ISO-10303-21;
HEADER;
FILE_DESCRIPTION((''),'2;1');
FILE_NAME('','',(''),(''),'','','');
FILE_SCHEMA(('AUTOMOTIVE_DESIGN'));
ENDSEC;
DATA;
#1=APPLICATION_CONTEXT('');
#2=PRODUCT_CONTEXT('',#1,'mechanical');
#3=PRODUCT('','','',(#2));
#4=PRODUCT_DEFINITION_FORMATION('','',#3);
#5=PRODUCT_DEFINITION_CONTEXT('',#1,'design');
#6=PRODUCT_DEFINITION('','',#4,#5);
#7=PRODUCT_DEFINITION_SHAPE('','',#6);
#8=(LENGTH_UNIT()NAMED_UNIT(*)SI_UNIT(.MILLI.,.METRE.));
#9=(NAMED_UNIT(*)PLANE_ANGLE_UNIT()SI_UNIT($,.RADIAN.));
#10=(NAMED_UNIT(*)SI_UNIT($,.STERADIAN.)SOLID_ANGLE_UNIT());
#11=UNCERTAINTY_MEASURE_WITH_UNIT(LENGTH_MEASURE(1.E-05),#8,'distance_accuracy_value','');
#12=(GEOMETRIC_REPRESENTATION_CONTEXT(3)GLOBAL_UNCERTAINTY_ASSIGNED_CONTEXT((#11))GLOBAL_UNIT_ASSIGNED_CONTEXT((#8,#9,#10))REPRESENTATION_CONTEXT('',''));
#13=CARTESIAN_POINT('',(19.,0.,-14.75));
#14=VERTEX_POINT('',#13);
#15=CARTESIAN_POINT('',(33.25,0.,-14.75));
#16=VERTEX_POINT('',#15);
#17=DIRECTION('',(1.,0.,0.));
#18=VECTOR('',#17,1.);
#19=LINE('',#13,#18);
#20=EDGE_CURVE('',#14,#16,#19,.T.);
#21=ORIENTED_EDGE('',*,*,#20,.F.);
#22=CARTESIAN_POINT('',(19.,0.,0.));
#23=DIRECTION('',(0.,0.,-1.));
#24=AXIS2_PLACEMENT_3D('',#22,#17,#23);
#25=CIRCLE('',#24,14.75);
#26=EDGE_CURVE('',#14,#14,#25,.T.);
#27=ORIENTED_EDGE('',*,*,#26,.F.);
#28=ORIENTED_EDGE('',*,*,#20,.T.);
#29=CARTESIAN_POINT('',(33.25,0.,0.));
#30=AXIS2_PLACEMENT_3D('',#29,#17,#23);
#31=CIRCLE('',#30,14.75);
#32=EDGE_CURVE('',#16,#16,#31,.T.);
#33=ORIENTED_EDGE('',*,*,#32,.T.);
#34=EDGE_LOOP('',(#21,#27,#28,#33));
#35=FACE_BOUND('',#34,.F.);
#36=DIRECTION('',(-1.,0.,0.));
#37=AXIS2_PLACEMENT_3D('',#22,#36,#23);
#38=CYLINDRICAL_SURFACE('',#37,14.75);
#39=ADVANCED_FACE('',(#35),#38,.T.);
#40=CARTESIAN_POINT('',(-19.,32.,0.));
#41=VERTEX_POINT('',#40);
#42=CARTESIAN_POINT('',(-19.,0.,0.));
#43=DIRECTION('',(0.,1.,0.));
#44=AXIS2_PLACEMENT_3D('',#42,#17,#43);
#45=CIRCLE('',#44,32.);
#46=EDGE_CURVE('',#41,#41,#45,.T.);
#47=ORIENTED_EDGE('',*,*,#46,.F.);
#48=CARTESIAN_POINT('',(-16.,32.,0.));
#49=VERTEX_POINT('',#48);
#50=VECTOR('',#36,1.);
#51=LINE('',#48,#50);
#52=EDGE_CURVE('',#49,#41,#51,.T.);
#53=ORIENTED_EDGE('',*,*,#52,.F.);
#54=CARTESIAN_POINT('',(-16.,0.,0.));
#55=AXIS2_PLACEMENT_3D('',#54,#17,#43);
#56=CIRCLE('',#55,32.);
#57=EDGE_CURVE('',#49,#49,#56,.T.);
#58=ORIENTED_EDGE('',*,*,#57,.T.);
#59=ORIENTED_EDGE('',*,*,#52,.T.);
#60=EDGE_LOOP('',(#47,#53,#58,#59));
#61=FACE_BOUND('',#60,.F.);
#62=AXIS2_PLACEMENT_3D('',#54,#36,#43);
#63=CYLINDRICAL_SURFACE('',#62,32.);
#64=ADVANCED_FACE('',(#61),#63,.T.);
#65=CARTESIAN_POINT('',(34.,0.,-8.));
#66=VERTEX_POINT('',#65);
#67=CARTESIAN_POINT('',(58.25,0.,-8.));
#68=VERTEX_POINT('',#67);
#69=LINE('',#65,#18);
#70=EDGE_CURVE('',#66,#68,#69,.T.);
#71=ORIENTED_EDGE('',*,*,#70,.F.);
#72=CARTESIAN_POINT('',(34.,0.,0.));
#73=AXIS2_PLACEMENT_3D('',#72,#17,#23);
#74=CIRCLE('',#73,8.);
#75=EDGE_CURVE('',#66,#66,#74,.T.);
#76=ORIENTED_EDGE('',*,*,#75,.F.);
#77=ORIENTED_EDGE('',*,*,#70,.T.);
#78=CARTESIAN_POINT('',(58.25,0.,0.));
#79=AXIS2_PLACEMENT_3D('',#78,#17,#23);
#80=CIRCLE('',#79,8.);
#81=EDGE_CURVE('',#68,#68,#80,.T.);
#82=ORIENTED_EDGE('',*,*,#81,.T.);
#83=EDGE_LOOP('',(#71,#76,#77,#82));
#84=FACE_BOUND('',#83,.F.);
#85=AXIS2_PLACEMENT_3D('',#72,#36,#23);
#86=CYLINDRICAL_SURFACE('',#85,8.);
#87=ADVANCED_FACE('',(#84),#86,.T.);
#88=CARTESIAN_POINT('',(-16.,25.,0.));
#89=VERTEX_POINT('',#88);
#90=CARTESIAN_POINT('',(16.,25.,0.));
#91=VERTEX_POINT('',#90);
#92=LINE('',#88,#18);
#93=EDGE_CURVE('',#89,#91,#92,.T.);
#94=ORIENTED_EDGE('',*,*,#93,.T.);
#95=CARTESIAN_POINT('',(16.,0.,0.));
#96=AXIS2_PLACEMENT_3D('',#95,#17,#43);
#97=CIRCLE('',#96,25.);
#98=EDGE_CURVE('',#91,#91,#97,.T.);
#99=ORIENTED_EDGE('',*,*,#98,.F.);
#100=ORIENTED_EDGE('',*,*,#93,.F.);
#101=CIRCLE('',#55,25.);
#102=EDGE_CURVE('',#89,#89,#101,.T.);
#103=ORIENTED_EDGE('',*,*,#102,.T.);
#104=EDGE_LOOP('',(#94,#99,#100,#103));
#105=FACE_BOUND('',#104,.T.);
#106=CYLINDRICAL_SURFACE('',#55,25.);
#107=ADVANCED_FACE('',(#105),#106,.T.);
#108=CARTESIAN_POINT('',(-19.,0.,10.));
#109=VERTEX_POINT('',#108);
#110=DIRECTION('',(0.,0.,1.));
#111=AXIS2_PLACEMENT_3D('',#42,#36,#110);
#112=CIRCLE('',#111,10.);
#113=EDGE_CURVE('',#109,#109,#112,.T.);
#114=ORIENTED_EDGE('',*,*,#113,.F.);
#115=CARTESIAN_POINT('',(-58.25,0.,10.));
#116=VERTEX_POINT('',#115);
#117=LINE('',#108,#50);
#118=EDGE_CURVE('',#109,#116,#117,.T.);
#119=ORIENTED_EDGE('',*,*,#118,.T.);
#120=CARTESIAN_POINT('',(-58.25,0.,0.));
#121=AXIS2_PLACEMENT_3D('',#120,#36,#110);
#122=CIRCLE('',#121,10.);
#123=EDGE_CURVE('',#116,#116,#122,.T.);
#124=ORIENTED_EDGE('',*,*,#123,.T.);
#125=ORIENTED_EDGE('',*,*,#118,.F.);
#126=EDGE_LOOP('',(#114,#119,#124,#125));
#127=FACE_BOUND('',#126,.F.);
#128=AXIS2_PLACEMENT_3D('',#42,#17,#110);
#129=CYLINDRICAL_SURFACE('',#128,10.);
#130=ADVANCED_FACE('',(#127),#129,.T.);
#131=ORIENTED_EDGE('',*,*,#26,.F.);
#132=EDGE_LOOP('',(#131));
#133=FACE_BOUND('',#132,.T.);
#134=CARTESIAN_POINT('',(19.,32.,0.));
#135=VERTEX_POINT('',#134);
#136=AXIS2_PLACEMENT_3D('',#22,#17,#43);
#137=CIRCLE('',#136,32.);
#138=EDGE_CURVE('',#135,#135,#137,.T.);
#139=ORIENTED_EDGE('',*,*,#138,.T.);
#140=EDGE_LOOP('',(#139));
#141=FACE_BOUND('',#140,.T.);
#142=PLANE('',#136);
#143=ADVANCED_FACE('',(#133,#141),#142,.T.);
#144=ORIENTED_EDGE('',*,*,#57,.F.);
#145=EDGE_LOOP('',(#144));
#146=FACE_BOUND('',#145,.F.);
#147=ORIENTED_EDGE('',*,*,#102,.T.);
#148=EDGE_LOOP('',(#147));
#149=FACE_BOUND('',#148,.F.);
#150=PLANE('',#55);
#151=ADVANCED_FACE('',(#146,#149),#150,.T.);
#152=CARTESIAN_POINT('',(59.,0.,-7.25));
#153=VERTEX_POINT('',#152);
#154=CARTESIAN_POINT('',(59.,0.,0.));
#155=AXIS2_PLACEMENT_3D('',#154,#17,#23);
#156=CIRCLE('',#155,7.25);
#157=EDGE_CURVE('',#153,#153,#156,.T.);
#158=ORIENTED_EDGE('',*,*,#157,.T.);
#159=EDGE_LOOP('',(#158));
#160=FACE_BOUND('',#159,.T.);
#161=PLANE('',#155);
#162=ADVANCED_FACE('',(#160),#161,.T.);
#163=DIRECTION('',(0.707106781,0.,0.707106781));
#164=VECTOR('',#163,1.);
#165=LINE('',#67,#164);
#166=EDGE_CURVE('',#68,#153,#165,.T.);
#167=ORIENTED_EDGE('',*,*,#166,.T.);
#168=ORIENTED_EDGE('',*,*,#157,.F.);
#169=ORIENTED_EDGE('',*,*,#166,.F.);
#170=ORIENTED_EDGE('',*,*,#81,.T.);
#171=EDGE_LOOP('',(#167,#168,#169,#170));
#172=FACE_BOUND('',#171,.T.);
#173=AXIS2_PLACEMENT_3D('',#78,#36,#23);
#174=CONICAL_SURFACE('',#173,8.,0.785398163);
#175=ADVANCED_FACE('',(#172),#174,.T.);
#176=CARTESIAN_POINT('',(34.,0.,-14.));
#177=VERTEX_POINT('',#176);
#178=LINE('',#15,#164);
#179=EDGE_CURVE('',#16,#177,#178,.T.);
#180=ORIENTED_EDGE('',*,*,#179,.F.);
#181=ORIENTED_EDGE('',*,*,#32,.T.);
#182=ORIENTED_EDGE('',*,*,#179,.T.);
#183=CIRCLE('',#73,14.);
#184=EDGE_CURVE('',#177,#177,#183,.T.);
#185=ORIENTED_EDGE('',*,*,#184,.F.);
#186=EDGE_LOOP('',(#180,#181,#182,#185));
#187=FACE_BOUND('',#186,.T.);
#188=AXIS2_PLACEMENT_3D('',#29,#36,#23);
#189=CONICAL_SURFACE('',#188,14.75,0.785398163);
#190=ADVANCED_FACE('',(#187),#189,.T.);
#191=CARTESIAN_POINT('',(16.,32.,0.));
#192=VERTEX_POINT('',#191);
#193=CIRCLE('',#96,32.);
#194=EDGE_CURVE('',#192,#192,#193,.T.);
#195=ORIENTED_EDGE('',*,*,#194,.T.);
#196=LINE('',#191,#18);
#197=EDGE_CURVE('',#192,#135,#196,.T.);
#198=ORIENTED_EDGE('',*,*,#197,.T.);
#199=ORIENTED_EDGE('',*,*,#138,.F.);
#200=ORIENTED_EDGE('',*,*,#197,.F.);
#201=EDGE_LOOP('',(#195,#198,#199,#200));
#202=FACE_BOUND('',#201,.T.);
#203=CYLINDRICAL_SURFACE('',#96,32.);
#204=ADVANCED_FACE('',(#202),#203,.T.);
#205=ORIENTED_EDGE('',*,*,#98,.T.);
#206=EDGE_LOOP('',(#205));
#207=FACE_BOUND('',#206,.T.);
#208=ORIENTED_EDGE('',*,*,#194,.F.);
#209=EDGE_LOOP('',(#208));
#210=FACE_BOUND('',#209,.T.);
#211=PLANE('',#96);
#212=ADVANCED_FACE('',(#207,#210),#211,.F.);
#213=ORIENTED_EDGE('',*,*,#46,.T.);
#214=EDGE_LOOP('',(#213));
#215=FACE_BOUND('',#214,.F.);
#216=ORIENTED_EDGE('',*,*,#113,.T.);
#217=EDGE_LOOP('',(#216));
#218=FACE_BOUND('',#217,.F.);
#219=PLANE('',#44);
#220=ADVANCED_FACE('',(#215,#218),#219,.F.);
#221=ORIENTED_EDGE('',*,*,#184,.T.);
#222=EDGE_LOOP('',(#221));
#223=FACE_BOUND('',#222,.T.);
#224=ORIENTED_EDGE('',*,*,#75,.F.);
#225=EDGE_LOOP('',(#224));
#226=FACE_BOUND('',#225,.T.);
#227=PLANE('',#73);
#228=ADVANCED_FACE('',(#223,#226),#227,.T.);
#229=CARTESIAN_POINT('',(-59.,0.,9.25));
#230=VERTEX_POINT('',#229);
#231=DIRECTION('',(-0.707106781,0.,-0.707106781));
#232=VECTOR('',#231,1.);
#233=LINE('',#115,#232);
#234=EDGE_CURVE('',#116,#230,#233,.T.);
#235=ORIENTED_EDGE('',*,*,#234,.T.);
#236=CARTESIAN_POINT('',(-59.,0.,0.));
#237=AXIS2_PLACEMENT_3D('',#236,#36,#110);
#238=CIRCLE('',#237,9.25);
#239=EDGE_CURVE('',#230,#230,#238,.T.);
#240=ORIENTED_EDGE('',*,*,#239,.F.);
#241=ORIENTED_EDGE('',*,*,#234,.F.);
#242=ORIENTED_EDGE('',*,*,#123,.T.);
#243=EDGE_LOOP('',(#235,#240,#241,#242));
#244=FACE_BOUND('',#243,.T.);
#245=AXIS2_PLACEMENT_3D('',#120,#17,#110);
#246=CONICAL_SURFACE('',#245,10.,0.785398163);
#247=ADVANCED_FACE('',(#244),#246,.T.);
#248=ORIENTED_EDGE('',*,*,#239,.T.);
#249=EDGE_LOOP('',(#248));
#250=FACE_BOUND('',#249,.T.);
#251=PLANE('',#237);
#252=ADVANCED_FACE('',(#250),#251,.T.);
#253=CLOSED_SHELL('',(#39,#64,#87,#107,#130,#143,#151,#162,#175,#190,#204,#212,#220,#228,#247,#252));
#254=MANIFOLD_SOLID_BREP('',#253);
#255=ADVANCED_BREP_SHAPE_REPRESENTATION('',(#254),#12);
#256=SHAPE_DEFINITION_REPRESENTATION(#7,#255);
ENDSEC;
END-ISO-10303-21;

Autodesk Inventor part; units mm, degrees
ref_plane "YZ Plane" through (0, 0, 0) normal (1, 0, 0) x (0, 1, 0)
ref_plane "XZ Plane" through (0, 0, 0) normal (0, 1, 0) x (-1, 0, 0)
ref_plane "XY Plane" through (0, 0, 0) normal (0, 0, 1) x (1, 0, 0)
sketch "Schizzo1" plane through (0, 0, 0) normal (0, 0, 1) x (1, 0, 0)
  line L0 (-16, 25) -> (16, 25)
  line L1 (-16, 25) -> (-16, 32)
  line L2 (-16, 32) -> (-19, 32)
  line L3 (-19, 32) -> (-19, 0)
  line L4 (16, 25) -> (16, 32)
  line L5 (16, 32) -> (19, 32)
  line L6 (19, 32) -> (19, 0)
  line L7 (-19, 0) -> (19, 0)
  point P0 (0, 0)
  point P1 (0, 0)
  dimension "d2" = 7
  dimension "d3" = 3
  dimension "d4" = 3
  dimension "d5" = 7
  dimension "d6" = 50
  dimension "d7" = 32
  dimension "d8" = 38
revolve "Rivoluzione1" add sketch "Schizzo1" angle 360 about axis through (-19, 0, 0) along (1, 0, 0)
sketch "Schizzo3" plane through (-19, 0, 0) normal (-1, 0, 0) x (0, 0, 1)
  point P0 (0, 0)
sketch "Schizzo4" plane through (19, 0, 0) normal (1, 0, 0) x (0, 0, -1)
  circle A0 centre (0, 0) radius 14.75
  dimension "d13" = 29.5
extrude "Estrusione2" add sketch "Schizzo4" along normal blind 15
sketch "Schizzo5" plane through (34, 0, 0) normal (1, 0, 0) x (0, 0, -1)
  circle A0 centre (0, 0) radius 8
  dimension "d16" = 16
extrude "Estrusione3" add sketch "Schizzo5" along normal blind 25
thread "Filettatura1" size "M16x2" class "6g" standard "ANSI Metric M Profile" length 10
sketch "Schizzo6" plane through (-19, 0, 0) normal (-1, 0, 0) x (0, 0, 1)
  circle A0 centre (0, 0) radius 10
  dimension "d24" = 20
extrude "Estrusione4" add sketch "Schizzo6" along normal blind 40
chamfer "Smusso1" distance 0.75 angle 45 3 edges at (34, 0, 14.75) (59, 0, 8) (-59, 0, -10)
properties part number "Puleggia minore" material "Alluminio 6061"
